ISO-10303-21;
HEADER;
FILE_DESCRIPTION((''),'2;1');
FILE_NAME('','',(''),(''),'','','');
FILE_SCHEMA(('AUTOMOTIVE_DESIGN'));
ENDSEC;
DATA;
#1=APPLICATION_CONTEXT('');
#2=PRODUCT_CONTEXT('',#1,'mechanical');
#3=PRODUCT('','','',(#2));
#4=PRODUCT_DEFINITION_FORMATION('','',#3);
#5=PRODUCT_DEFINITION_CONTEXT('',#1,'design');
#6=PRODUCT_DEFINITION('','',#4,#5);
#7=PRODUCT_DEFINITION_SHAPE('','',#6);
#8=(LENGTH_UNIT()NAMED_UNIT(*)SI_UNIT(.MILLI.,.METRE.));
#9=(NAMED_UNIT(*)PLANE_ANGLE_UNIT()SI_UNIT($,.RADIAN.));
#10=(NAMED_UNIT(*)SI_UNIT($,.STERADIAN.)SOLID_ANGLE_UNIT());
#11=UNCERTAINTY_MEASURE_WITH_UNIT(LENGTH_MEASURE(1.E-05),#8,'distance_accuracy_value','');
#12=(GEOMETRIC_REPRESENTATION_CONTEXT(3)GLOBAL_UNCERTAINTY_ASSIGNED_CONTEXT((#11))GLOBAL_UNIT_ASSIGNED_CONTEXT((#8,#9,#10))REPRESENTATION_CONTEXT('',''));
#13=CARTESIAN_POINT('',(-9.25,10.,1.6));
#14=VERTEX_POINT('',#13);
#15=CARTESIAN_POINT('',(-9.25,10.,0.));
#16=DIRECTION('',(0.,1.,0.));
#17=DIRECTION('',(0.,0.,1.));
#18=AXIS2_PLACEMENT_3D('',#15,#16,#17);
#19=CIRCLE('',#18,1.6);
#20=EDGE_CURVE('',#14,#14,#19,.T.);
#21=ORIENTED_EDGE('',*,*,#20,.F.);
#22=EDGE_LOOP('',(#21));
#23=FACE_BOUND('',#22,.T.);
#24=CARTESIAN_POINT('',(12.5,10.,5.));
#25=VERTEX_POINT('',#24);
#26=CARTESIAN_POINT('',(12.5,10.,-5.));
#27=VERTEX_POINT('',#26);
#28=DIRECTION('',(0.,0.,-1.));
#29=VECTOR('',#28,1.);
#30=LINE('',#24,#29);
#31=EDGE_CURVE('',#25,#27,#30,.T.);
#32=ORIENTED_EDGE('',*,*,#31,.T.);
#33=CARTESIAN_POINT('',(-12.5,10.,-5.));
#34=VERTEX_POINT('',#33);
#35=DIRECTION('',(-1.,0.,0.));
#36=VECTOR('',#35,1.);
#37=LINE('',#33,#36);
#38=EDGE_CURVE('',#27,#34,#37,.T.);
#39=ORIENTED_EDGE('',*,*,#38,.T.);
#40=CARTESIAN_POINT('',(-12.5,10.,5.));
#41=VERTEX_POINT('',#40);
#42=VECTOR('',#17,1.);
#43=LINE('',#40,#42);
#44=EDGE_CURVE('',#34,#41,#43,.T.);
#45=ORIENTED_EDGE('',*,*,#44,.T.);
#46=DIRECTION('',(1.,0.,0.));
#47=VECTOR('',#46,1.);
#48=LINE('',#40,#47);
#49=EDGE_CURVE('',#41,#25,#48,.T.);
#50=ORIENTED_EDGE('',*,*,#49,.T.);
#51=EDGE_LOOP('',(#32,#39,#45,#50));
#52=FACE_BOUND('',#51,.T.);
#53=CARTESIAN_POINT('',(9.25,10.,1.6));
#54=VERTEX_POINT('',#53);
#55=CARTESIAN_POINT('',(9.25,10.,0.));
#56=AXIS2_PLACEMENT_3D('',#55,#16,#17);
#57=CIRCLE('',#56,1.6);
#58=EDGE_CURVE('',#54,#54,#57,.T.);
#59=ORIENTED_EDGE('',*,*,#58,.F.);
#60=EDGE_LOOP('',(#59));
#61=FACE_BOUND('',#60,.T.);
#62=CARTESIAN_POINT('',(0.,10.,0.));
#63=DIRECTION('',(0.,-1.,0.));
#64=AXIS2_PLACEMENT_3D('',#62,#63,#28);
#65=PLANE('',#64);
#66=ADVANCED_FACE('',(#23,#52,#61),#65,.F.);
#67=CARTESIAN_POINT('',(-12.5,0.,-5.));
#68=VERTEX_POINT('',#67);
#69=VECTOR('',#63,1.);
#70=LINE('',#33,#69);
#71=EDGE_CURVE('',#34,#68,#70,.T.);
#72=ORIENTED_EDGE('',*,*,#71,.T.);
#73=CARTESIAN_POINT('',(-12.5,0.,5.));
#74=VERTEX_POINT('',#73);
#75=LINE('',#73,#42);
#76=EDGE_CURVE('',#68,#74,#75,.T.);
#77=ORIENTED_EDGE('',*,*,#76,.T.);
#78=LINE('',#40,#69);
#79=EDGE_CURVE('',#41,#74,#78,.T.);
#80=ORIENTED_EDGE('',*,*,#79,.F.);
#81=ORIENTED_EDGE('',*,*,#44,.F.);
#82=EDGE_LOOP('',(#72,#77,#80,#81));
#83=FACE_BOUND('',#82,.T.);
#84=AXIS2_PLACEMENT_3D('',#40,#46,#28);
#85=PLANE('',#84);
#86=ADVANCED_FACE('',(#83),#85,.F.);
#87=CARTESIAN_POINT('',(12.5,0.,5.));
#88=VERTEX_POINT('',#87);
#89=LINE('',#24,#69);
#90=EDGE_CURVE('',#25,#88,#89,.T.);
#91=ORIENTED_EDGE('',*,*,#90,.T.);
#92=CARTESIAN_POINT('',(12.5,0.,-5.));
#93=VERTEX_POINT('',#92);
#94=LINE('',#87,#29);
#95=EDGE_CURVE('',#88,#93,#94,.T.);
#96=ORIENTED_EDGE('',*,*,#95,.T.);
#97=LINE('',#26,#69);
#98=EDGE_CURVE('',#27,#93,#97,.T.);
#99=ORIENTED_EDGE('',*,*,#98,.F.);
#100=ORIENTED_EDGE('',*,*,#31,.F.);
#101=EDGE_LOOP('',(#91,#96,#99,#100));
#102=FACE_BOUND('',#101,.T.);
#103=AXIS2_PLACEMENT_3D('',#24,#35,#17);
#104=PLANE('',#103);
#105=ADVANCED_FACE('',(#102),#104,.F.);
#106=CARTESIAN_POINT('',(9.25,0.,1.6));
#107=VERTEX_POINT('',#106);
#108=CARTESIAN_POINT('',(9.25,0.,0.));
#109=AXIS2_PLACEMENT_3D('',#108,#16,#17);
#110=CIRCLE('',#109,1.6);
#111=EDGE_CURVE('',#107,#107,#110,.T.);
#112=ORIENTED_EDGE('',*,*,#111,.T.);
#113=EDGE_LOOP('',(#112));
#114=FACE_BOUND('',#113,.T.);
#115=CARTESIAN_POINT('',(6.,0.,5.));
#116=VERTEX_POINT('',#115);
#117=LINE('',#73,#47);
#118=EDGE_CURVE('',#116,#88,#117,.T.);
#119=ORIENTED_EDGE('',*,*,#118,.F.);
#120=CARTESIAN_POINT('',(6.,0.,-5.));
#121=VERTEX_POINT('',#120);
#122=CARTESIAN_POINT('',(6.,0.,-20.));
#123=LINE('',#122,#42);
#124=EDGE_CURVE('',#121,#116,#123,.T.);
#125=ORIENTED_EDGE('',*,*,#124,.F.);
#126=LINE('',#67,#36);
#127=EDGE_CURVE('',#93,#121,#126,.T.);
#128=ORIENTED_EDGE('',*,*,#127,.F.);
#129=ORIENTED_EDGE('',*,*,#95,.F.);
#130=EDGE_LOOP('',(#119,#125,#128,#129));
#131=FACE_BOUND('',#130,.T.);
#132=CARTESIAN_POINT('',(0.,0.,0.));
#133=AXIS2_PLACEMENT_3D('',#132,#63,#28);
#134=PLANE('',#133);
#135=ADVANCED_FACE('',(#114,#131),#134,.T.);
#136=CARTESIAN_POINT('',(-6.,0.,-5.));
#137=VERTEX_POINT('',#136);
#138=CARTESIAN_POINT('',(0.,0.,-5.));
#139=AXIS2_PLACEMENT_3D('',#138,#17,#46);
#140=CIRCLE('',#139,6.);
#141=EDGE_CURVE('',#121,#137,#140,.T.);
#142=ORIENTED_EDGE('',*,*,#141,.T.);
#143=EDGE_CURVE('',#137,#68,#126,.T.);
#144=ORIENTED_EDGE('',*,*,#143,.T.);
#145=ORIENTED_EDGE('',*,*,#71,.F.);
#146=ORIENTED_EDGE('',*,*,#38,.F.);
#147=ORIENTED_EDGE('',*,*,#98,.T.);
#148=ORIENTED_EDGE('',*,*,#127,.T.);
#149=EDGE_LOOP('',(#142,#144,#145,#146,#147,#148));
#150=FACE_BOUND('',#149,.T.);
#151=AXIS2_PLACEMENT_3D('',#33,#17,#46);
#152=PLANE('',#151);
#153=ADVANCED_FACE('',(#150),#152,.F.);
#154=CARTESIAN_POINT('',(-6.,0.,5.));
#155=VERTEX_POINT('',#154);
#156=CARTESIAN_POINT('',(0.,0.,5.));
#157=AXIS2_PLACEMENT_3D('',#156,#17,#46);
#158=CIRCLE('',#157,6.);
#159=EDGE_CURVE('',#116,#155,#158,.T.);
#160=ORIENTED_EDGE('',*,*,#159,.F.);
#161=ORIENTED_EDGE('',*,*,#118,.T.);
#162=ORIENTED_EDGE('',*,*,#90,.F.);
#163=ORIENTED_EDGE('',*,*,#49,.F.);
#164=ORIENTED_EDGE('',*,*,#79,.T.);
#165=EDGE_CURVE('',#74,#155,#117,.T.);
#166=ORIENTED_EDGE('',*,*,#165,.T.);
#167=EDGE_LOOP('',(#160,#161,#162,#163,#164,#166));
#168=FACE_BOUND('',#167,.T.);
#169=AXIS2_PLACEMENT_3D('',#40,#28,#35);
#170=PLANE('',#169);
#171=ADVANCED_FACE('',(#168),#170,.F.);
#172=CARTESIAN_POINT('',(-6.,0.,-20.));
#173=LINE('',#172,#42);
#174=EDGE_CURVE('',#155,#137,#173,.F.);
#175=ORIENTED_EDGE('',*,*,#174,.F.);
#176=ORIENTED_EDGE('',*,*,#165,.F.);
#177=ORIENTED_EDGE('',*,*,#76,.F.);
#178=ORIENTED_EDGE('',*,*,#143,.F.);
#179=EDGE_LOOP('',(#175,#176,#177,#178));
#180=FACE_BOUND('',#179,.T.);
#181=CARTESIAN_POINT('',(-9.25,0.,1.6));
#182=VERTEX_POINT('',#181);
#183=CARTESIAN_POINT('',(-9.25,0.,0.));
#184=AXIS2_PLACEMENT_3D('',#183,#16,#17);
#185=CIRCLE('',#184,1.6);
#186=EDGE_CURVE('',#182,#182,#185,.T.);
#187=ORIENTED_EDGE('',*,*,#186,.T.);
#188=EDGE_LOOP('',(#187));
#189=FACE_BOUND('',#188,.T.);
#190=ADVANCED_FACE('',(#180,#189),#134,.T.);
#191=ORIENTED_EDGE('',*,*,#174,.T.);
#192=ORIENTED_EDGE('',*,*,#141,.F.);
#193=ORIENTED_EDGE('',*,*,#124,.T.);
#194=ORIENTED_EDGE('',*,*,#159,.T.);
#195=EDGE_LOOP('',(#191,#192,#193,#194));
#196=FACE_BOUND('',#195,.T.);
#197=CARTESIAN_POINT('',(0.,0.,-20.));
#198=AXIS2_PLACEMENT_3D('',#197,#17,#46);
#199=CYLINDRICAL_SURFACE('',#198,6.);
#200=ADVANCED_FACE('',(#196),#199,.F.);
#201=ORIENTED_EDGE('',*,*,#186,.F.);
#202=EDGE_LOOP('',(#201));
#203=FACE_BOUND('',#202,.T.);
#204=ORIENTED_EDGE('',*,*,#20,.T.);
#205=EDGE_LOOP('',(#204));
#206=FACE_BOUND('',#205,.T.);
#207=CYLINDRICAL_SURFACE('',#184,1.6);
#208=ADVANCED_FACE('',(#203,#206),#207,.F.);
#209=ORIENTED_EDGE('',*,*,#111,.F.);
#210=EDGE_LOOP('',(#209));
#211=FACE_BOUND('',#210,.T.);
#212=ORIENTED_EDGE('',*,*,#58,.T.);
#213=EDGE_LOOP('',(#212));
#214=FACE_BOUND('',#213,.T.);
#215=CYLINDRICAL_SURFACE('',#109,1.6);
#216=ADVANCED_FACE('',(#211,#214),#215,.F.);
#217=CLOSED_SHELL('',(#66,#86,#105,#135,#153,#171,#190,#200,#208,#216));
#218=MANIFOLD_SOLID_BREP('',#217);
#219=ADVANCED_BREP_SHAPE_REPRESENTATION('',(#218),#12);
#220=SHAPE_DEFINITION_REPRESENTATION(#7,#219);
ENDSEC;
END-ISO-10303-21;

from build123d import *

# Parameters (mm, degrees)
SKETCH1_W           = 25
SKETCH1_H           = 10
BOSS_EXTRUDE1_DEPTH = 10
SKETCH2_R           = 1.6
CUT_EXTRUDE1_DEPTH  = 17.770509831
SKETCH3_R           = 6
CUT_EXTRUDE2_DEPTH  = 25


with BuildPart() as part:
    # Sketch1 → Boss-Extrude1 (new body)
    with BuildSketch(Plane(origin=(0, 0, 0), x_dir=(1, 0, 0), z_dir=(0, 1, 0))):
        Rectangle(SKETCH1_W, SKETCH1_H)
    extrude(amount=BOSS_EXTRUDE1_DEPTH)

    # Sketch2 → Cut-Extrude1 (cut, through all)
    with BuildSketch(Plane(origin=(0, 10, 0), x_dir=(1, 0, 0), z_dir=(0, 1, 0))):
        with Locations(Location((-9.25, 0, 0), (0, 0, 270))):
            Circle(SKETCH2_R)
        with Locations(Location((9.25, 0, 0), (0, 0, 270))):
            Circle(SKETCH2_R)
    extrude(amount=-CUT_EXTRUDE1_DEPTH, mode=Mode.SUBTRACT)

    # Sketch3 → Cut-Extrude2 (cut)
    with BuildSketch(Plane.XY.offset(5)):
        Circle(SKETCH3_R)
    extrude(amount=-CUT_EXTRUDE2_DEPTH, mode=Mode.SUBTRACT)


solid = part.part
